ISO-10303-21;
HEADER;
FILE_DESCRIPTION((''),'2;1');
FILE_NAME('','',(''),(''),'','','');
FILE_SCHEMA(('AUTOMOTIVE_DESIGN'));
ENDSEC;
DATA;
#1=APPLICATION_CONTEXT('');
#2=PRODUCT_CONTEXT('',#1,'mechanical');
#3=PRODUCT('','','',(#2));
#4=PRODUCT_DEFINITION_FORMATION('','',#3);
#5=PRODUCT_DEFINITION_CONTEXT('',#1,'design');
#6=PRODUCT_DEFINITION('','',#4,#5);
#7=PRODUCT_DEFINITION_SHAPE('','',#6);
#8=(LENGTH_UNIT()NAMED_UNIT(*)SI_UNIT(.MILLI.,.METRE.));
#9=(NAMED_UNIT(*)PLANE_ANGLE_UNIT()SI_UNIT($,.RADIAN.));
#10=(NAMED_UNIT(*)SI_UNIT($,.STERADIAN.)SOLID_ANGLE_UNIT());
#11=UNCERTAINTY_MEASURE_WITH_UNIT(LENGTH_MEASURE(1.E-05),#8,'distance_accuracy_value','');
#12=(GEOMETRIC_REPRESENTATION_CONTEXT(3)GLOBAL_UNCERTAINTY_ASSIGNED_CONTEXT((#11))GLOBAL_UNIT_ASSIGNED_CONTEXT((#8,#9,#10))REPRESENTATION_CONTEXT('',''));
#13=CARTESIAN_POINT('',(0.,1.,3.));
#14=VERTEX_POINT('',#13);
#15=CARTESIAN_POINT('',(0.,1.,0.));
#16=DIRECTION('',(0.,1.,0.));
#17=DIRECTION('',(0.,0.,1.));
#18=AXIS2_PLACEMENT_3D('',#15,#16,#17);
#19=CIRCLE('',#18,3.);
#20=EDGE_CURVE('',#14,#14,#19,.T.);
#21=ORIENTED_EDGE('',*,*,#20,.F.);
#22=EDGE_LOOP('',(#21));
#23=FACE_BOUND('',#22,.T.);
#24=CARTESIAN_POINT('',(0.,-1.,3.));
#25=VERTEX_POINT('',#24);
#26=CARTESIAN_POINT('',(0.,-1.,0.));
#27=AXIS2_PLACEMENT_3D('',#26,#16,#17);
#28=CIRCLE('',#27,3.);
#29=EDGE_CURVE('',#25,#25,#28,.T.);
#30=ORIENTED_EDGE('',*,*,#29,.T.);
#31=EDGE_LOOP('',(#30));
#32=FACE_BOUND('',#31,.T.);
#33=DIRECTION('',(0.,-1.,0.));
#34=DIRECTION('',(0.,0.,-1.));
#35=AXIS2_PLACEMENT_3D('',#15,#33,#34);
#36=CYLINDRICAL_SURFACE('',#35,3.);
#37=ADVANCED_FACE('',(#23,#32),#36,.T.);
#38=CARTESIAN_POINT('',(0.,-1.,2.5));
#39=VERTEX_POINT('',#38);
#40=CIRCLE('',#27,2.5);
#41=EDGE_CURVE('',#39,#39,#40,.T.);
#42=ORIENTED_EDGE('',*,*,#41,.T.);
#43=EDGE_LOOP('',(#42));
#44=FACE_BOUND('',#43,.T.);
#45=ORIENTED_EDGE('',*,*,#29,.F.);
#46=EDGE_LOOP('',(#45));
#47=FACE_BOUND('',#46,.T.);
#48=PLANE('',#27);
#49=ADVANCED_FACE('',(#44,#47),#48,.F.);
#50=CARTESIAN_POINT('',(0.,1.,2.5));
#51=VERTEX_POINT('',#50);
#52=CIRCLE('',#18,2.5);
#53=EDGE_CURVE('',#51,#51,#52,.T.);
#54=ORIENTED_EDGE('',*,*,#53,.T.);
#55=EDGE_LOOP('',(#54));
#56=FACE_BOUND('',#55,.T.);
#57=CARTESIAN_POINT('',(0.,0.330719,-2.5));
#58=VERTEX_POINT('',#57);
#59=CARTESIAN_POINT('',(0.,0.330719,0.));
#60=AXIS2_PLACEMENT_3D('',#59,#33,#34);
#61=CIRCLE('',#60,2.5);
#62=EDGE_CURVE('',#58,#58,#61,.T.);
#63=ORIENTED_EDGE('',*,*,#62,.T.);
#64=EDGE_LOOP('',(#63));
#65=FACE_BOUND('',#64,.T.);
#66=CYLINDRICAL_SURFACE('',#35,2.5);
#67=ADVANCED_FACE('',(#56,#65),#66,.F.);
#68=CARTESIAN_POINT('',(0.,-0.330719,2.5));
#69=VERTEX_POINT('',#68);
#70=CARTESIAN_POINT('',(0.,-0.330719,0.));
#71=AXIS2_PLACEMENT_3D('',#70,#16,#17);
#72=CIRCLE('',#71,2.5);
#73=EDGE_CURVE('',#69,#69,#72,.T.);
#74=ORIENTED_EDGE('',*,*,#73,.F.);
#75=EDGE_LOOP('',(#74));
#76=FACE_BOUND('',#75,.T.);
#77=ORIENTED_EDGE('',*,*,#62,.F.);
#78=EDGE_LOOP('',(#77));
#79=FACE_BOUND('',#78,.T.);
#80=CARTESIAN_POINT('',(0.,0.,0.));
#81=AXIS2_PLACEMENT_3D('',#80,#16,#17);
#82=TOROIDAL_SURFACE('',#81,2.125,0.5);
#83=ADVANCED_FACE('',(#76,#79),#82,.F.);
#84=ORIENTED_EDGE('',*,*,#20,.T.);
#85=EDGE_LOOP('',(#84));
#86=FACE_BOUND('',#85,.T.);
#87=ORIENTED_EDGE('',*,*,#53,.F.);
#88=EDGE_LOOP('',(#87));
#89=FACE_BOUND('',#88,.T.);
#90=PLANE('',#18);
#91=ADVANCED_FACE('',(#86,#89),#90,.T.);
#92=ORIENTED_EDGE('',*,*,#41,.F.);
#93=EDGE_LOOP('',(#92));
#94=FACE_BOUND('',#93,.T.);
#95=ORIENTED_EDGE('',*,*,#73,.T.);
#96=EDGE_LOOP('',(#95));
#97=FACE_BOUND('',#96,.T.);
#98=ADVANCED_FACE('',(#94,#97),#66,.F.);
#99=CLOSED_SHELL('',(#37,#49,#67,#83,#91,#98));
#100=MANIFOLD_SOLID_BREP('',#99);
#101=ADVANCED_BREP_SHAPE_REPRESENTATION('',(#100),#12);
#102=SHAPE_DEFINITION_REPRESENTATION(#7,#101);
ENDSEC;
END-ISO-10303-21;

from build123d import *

# Parameters (mm, degrees)
DIAPROFILES_R         = 3
DIAPROFILES_R_2       = 2.5
DIAPROFILE_DEPTH      = 1
BEARINGPATHPROFILES_R = 0.5


with BuildPart() as part:
    # DiaProfileS → DiaProfile (new body, symmetric)
    with BuildSketch(Plane(origin=(0, 0, 0), x_dir=(1, 0, 0), z_dir=(0, 1, 0))):
        Circle(DIAPROFILES_R)
        Circle(DIAPROFILES_R_2, mode=Mode.SUBTRACT)
    extrude(amount=DIAPROFILE_DEPTH, both=True)

    # BearingPathProfileS → BearingPathProfile (revolve, cut)
    with BuildSketch(Plane.XY):
        with Locations((2.125, 0)):
            Circle(BEARINGPATHPROFILES_R)
    revolve(axis=Axis((0, 1, 0), (0, -1, 0)), mode=Mode.SUBTRACT)


solid = part.part
